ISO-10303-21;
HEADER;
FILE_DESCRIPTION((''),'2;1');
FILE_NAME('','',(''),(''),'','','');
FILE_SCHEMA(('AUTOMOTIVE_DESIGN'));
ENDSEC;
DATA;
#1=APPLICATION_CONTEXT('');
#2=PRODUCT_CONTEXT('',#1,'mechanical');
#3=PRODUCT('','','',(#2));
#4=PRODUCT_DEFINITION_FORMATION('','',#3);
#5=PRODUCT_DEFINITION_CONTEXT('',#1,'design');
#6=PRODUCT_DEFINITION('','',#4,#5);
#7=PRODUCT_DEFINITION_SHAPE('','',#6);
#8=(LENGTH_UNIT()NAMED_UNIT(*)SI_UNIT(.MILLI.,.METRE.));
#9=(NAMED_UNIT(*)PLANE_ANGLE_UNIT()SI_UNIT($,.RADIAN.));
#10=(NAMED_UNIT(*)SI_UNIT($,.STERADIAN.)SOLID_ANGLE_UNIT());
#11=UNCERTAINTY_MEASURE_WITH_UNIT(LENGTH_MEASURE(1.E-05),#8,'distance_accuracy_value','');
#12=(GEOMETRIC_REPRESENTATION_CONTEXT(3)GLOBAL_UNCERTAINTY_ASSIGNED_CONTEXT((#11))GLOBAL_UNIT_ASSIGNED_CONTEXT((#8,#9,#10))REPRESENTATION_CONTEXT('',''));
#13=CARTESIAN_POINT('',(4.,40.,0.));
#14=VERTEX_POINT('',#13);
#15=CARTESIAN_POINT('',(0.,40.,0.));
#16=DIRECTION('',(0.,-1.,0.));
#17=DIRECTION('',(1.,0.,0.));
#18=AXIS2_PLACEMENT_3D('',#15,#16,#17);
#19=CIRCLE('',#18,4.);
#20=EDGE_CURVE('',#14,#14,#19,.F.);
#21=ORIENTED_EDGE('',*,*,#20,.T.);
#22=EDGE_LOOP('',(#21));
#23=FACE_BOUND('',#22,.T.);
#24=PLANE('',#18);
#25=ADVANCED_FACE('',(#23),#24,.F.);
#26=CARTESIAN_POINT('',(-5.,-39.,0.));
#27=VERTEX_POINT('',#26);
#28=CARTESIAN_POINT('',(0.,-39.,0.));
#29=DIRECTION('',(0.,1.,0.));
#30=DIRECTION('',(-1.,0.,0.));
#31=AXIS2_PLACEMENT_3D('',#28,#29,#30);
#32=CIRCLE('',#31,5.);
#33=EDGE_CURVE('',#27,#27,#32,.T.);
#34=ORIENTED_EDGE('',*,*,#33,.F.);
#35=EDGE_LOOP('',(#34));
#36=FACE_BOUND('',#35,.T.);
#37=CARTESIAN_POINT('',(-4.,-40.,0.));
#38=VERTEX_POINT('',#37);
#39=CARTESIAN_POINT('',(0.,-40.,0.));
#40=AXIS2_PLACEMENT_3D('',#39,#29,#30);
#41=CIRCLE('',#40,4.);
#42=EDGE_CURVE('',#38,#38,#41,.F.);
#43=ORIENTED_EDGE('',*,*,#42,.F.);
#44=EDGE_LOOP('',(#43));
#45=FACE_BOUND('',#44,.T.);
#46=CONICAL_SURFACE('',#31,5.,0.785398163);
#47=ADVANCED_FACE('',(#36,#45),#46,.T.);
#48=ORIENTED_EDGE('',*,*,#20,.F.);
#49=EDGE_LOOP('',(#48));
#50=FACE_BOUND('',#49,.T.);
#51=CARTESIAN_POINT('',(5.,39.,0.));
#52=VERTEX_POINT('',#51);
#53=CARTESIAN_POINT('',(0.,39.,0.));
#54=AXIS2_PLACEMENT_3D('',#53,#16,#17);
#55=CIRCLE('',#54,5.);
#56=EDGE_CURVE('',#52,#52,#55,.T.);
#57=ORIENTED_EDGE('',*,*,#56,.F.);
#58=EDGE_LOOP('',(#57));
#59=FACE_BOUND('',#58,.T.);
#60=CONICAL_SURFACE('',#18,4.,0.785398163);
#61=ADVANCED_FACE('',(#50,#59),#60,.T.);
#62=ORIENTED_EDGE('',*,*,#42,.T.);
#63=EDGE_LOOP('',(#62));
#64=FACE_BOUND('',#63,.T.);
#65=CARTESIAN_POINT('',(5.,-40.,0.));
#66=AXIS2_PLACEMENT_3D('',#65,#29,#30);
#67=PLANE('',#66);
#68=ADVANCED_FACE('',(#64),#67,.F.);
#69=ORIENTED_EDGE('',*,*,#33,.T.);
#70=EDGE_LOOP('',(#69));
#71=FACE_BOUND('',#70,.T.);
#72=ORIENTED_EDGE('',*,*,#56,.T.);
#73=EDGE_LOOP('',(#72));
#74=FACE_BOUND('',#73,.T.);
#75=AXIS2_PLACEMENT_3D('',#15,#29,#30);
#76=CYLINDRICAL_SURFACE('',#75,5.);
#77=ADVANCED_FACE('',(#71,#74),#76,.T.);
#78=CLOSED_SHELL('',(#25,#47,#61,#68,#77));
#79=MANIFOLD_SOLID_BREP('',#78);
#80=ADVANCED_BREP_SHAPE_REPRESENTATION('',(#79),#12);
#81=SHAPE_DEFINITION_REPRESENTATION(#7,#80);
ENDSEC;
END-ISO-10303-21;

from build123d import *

# Parameters (mm, degrees)
CHAMFER_1_SIZE = 1


with BuildPart() as part:
    # 草图1 → 旋转1 (revolve)
    with BuildSketch(Plane.XY, mode=Mode.PRIVATE) as revolve_1_sk:
        Polygon((0, 40), (5, 40), (5, 30), (5, -30), (5, -40), (0, -40), align=None)
    revolve(revolve_1_sk.sketch.rotate(Axis((0, 40, 0), (0, -1, 0)), 180), axis=Axis((0, 40, 0), (0, -1, 0)))

    # 倒角1
    chamfer_1_edges = [part.edges().sort_by_distance(p)[0] for p in [
        (5, -40, 0),
        (5, 40, 0),
    ]]
    chamfer(chamfer_1_edges, length=CHAMFER_1_SIZE)


solid = part.part
